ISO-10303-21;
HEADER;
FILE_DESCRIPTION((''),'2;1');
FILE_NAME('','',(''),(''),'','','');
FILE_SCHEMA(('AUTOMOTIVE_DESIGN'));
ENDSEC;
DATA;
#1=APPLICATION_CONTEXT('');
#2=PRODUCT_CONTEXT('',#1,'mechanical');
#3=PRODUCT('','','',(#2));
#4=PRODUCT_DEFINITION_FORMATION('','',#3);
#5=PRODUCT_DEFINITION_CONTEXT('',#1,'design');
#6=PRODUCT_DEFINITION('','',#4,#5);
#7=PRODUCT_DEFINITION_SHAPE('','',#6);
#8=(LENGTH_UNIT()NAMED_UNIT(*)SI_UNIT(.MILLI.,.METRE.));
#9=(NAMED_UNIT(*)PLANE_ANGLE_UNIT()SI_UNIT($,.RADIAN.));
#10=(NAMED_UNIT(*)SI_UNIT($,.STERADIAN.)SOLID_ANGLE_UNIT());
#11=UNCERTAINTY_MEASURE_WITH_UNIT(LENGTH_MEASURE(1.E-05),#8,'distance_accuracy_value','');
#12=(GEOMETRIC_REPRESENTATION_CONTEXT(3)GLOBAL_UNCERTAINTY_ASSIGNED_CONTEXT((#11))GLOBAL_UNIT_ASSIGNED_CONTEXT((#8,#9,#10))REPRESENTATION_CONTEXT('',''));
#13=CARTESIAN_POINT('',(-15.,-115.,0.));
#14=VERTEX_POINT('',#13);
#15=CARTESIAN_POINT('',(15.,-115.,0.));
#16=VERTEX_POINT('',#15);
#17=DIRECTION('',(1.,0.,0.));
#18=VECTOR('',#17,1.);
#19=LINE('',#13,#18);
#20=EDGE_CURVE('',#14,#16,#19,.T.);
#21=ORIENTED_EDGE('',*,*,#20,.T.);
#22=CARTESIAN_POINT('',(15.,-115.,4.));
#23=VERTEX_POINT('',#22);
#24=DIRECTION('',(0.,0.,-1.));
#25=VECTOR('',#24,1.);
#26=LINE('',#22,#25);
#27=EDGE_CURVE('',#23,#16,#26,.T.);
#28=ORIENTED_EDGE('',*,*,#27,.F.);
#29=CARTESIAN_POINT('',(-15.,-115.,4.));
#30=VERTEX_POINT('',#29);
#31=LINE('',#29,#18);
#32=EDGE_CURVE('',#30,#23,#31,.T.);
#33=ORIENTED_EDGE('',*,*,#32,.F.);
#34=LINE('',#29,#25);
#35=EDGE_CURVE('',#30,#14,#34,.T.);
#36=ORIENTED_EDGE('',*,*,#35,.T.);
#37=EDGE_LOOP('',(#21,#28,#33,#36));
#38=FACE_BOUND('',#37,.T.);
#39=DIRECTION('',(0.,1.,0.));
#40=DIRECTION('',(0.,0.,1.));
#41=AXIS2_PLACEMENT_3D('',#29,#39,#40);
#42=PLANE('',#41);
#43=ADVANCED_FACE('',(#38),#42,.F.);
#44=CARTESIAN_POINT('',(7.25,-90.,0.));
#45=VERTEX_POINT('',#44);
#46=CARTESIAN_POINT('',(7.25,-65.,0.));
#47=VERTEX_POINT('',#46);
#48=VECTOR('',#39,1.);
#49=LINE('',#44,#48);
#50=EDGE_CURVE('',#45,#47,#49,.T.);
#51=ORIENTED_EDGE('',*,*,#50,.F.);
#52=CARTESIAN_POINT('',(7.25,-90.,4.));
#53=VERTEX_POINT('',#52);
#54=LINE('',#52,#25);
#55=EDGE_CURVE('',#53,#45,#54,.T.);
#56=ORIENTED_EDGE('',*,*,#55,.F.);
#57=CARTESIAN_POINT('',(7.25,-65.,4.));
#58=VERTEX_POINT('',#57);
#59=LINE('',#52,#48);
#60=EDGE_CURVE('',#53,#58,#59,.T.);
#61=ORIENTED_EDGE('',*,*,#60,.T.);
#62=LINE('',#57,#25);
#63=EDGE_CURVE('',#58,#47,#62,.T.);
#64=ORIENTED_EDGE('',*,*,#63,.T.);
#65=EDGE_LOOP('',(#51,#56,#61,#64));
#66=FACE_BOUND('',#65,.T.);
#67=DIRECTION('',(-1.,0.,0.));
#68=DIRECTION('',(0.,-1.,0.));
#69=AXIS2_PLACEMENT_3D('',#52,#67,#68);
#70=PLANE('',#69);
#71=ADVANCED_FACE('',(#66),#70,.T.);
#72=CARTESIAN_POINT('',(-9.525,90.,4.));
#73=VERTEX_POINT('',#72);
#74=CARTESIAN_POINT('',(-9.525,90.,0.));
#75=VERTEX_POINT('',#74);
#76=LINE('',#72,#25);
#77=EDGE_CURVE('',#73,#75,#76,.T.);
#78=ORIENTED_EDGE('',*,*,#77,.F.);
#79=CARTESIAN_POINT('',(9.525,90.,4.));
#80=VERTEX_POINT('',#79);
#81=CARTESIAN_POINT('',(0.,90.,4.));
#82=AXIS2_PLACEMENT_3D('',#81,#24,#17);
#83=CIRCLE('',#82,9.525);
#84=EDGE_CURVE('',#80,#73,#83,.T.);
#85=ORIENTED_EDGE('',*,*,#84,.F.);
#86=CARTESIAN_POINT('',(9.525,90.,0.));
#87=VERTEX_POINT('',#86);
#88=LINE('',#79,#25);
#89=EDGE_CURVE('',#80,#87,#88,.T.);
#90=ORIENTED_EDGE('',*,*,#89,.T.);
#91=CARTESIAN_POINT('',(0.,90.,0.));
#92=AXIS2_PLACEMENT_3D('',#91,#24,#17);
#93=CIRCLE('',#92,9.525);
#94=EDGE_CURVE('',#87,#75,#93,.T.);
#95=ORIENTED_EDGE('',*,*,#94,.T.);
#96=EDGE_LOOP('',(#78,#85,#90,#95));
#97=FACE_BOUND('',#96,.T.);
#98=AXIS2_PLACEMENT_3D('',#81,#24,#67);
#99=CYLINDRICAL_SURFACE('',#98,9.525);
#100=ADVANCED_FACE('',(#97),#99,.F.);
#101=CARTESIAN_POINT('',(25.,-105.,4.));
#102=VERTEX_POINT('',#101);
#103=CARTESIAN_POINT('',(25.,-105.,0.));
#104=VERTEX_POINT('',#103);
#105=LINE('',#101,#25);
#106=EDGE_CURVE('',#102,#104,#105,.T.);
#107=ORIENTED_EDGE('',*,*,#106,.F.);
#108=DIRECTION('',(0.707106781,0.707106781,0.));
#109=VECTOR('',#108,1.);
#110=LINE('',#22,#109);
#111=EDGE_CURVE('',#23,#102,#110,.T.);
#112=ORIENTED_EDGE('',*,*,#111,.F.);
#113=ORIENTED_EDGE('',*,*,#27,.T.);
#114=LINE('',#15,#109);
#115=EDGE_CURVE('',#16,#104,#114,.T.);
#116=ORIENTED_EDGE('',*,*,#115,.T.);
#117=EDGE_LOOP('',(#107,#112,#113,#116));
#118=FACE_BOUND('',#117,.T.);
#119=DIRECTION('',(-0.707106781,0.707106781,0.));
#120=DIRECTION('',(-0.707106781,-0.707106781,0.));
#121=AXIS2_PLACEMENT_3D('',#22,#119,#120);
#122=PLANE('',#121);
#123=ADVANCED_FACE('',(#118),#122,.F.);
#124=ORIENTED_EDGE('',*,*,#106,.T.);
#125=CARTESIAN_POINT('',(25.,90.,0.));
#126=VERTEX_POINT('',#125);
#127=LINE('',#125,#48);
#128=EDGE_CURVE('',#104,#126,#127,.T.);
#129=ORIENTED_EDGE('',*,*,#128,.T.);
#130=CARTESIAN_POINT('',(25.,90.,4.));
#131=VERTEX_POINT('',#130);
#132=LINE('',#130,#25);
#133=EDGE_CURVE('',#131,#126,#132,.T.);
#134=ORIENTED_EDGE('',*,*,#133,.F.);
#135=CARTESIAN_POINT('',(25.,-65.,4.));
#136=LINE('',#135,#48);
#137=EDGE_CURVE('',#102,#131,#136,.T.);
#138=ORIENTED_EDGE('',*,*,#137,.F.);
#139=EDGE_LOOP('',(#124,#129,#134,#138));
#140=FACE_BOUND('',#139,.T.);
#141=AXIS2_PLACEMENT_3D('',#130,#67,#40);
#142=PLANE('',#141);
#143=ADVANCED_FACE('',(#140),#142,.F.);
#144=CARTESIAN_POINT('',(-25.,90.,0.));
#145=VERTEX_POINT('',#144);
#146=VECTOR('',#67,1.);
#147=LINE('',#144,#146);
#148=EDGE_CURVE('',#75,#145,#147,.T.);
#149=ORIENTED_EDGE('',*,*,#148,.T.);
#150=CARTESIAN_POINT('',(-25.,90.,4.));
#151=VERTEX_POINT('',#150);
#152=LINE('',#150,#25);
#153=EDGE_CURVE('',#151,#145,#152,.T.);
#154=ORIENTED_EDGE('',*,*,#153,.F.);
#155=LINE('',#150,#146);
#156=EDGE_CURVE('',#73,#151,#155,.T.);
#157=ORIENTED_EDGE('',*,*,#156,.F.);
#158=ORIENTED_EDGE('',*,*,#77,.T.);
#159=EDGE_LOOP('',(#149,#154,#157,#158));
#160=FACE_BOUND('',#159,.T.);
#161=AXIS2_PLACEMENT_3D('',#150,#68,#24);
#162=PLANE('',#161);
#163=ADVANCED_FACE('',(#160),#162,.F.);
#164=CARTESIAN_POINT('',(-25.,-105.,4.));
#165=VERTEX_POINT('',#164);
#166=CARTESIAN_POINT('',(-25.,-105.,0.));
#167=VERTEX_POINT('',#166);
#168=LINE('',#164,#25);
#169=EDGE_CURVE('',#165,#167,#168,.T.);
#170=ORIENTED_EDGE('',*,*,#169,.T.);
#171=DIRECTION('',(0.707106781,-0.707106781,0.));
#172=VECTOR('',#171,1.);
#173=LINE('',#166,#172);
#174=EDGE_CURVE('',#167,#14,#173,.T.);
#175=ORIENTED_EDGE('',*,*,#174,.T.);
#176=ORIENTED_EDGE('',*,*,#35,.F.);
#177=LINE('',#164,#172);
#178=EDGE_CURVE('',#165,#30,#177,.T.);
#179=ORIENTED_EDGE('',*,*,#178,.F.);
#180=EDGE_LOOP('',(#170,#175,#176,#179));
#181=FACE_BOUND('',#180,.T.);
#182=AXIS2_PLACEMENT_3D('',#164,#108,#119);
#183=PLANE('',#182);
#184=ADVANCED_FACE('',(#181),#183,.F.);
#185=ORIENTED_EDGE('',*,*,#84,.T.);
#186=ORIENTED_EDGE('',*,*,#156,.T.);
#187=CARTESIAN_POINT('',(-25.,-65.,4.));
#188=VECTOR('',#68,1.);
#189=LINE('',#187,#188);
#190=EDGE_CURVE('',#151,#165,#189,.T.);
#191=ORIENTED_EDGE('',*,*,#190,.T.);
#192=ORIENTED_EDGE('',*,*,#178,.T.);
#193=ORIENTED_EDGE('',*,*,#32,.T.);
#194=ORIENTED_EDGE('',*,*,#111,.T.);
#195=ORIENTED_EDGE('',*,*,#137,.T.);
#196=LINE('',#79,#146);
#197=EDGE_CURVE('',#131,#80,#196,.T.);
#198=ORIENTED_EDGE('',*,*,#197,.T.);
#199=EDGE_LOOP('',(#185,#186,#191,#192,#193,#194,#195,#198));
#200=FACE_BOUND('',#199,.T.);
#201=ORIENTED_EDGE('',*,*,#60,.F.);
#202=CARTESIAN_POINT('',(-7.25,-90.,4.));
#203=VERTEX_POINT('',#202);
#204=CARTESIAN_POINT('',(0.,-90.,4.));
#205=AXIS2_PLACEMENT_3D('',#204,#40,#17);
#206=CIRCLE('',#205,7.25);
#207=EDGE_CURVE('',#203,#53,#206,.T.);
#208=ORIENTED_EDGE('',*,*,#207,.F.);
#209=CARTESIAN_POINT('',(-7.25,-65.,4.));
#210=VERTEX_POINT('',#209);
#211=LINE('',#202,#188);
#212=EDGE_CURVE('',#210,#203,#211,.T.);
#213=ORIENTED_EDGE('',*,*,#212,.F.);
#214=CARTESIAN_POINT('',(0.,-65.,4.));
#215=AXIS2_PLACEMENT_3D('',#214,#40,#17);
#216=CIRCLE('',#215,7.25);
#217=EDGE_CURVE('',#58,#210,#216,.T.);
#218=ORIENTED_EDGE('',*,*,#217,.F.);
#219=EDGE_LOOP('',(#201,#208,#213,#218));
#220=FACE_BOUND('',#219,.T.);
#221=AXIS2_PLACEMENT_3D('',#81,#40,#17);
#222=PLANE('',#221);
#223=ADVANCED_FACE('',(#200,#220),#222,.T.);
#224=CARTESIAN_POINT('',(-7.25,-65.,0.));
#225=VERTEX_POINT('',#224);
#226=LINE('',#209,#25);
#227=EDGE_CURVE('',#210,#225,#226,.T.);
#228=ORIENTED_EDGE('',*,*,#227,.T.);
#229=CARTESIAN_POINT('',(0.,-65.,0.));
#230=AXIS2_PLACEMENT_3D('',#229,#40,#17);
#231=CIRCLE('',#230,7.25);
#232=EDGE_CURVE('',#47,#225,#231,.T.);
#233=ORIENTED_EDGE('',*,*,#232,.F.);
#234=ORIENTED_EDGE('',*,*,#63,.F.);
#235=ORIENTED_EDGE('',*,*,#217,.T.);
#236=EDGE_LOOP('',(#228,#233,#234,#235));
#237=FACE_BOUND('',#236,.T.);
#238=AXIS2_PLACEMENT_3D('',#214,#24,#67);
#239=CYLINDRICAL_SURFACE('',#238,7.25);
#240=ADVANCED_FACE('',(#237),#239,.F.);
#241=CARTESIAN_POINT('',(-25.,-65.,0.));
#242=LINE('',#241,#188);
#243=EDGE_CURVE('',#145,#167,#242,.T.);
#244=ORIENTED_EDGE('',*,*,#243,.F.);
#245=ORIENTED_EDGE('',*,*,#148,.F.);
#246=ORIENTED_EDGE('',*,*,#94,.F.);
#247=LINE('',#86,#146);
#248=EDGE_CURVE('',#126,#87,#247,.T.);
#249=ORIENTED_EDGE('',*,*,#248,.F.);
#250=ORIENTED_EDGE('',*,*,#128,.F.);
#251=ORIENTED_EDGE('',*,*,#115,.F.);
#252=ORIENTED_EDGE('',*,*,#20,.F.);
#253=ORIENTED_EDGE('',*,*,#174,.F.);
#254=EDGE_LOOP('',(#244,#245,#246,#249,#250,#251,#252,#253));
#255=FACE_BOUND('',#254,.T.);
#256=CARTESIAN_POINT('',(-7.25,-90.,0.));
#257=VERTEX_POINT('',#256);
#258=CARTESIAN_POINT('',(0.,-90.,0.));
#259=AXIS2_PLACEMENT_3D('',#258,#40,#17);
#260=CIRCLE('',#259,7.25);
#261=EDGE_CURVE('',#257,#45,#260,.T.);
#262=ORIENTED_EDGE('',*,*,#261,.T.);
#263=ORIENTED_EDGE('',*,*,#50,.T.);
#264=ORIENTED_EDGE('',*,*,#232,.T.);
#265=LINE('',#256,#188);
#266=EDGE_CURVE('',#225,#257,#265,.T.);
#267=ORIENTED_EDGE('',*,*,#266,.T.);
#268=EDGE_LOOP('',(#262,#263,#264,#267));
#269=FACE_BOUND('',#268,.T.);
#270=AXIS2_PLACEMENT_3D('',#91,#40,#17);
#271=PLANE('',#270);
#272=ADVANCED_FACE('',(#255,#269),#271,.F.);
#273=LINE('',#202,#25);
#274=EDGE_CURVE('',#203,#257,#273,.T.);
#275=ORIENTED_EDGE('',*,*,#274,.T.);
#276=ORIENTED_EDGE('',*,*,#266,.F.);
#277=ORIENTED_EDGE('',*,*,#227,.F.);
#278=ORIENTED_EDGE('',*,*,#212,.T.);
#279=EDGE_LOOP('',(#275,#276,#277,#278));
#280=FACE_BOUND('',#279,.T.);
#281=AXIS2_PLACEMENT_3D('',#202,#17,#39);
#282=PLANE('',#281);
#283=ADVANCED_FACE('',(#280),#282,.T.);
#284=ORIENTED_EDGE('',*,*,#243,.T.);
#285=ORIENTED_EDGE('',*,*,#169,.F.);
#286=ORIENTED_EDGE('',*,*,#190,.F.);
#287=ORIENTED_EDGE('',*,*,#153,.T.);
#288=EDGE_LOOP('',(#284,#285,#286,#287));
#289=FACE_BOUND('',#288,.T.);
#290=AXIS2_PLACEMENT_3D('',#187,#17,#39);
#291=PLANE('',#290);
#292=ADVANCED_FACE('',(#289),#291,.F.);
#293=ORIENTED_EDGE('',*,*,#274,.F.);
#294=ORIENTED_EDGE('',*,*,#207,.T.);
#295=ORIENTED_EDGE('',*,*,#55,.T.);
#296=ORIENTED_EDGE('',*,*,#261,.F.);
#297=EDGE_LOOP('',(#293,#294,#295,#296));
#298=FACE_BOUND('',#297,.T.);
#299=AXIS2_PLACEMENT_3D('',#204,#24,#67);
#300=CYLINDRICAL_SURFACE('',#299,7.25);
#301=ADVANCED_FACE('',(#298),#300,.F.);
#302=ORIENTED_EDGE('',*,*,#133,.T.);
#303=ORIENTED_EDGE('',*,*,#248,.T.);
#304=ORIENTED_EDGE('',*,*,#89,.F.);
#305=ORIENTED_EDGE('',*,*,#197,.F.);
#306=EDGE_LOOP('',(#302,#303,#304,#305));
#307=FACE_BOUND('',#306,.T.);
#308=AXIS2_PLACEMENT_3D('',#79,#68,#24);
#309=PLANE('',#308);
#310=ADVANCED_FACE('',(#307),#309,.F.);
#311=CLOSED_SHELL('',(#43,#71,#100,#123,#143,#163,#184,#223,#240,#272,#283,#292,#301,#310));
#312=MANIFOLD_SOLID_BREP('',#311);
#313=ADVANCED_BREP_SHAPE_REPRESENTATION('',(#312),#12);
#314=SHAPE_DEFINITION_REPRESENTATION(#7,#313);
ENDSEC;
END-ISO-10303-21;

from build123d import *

# Parameters (mm, degrees)
BOSS_EXTRUDE1_DEPTH = 4


with BuildPart() as part:
    # Sketch1 → Boss-Extrude1 (new body)
    with BuildSketch(Plane.XY):
        with BuildLine():
            Line((-25, -65), (-25, 90))
            Line((-25, 90), (-9.525, 90))
            ThreePointArc((-9.525, 90), (0, 80.475), (9.525, 90))
            Line((9.525, 90), (25, 90))
            Line((25, 90), (25, -65))
            Line((25, -65), (25, -105))
            Line((25, -105), (15, -115))
            Line((15, -115), (-15, -115))
            Line((-15, -115), (-25, -105))
            Line((-25, -105), (-25, -65))
        make_face()
        with BuildLine():
            Line((-7.25, -90), (-7.25, -65))
            ThreePointArc((-7.25, -65), (0, -57.75), (7.25, -65))
            Line((7.25, -65), (7.25, -90))
            ThreePointArc((7.25, -90), (0, -97.25), (-7.25, -90))
        make_face(mode=Mode.SUBTRACT)
    extrude(amount=BOSS_EXTRUDE1_DEPTH)


solid = part.part
